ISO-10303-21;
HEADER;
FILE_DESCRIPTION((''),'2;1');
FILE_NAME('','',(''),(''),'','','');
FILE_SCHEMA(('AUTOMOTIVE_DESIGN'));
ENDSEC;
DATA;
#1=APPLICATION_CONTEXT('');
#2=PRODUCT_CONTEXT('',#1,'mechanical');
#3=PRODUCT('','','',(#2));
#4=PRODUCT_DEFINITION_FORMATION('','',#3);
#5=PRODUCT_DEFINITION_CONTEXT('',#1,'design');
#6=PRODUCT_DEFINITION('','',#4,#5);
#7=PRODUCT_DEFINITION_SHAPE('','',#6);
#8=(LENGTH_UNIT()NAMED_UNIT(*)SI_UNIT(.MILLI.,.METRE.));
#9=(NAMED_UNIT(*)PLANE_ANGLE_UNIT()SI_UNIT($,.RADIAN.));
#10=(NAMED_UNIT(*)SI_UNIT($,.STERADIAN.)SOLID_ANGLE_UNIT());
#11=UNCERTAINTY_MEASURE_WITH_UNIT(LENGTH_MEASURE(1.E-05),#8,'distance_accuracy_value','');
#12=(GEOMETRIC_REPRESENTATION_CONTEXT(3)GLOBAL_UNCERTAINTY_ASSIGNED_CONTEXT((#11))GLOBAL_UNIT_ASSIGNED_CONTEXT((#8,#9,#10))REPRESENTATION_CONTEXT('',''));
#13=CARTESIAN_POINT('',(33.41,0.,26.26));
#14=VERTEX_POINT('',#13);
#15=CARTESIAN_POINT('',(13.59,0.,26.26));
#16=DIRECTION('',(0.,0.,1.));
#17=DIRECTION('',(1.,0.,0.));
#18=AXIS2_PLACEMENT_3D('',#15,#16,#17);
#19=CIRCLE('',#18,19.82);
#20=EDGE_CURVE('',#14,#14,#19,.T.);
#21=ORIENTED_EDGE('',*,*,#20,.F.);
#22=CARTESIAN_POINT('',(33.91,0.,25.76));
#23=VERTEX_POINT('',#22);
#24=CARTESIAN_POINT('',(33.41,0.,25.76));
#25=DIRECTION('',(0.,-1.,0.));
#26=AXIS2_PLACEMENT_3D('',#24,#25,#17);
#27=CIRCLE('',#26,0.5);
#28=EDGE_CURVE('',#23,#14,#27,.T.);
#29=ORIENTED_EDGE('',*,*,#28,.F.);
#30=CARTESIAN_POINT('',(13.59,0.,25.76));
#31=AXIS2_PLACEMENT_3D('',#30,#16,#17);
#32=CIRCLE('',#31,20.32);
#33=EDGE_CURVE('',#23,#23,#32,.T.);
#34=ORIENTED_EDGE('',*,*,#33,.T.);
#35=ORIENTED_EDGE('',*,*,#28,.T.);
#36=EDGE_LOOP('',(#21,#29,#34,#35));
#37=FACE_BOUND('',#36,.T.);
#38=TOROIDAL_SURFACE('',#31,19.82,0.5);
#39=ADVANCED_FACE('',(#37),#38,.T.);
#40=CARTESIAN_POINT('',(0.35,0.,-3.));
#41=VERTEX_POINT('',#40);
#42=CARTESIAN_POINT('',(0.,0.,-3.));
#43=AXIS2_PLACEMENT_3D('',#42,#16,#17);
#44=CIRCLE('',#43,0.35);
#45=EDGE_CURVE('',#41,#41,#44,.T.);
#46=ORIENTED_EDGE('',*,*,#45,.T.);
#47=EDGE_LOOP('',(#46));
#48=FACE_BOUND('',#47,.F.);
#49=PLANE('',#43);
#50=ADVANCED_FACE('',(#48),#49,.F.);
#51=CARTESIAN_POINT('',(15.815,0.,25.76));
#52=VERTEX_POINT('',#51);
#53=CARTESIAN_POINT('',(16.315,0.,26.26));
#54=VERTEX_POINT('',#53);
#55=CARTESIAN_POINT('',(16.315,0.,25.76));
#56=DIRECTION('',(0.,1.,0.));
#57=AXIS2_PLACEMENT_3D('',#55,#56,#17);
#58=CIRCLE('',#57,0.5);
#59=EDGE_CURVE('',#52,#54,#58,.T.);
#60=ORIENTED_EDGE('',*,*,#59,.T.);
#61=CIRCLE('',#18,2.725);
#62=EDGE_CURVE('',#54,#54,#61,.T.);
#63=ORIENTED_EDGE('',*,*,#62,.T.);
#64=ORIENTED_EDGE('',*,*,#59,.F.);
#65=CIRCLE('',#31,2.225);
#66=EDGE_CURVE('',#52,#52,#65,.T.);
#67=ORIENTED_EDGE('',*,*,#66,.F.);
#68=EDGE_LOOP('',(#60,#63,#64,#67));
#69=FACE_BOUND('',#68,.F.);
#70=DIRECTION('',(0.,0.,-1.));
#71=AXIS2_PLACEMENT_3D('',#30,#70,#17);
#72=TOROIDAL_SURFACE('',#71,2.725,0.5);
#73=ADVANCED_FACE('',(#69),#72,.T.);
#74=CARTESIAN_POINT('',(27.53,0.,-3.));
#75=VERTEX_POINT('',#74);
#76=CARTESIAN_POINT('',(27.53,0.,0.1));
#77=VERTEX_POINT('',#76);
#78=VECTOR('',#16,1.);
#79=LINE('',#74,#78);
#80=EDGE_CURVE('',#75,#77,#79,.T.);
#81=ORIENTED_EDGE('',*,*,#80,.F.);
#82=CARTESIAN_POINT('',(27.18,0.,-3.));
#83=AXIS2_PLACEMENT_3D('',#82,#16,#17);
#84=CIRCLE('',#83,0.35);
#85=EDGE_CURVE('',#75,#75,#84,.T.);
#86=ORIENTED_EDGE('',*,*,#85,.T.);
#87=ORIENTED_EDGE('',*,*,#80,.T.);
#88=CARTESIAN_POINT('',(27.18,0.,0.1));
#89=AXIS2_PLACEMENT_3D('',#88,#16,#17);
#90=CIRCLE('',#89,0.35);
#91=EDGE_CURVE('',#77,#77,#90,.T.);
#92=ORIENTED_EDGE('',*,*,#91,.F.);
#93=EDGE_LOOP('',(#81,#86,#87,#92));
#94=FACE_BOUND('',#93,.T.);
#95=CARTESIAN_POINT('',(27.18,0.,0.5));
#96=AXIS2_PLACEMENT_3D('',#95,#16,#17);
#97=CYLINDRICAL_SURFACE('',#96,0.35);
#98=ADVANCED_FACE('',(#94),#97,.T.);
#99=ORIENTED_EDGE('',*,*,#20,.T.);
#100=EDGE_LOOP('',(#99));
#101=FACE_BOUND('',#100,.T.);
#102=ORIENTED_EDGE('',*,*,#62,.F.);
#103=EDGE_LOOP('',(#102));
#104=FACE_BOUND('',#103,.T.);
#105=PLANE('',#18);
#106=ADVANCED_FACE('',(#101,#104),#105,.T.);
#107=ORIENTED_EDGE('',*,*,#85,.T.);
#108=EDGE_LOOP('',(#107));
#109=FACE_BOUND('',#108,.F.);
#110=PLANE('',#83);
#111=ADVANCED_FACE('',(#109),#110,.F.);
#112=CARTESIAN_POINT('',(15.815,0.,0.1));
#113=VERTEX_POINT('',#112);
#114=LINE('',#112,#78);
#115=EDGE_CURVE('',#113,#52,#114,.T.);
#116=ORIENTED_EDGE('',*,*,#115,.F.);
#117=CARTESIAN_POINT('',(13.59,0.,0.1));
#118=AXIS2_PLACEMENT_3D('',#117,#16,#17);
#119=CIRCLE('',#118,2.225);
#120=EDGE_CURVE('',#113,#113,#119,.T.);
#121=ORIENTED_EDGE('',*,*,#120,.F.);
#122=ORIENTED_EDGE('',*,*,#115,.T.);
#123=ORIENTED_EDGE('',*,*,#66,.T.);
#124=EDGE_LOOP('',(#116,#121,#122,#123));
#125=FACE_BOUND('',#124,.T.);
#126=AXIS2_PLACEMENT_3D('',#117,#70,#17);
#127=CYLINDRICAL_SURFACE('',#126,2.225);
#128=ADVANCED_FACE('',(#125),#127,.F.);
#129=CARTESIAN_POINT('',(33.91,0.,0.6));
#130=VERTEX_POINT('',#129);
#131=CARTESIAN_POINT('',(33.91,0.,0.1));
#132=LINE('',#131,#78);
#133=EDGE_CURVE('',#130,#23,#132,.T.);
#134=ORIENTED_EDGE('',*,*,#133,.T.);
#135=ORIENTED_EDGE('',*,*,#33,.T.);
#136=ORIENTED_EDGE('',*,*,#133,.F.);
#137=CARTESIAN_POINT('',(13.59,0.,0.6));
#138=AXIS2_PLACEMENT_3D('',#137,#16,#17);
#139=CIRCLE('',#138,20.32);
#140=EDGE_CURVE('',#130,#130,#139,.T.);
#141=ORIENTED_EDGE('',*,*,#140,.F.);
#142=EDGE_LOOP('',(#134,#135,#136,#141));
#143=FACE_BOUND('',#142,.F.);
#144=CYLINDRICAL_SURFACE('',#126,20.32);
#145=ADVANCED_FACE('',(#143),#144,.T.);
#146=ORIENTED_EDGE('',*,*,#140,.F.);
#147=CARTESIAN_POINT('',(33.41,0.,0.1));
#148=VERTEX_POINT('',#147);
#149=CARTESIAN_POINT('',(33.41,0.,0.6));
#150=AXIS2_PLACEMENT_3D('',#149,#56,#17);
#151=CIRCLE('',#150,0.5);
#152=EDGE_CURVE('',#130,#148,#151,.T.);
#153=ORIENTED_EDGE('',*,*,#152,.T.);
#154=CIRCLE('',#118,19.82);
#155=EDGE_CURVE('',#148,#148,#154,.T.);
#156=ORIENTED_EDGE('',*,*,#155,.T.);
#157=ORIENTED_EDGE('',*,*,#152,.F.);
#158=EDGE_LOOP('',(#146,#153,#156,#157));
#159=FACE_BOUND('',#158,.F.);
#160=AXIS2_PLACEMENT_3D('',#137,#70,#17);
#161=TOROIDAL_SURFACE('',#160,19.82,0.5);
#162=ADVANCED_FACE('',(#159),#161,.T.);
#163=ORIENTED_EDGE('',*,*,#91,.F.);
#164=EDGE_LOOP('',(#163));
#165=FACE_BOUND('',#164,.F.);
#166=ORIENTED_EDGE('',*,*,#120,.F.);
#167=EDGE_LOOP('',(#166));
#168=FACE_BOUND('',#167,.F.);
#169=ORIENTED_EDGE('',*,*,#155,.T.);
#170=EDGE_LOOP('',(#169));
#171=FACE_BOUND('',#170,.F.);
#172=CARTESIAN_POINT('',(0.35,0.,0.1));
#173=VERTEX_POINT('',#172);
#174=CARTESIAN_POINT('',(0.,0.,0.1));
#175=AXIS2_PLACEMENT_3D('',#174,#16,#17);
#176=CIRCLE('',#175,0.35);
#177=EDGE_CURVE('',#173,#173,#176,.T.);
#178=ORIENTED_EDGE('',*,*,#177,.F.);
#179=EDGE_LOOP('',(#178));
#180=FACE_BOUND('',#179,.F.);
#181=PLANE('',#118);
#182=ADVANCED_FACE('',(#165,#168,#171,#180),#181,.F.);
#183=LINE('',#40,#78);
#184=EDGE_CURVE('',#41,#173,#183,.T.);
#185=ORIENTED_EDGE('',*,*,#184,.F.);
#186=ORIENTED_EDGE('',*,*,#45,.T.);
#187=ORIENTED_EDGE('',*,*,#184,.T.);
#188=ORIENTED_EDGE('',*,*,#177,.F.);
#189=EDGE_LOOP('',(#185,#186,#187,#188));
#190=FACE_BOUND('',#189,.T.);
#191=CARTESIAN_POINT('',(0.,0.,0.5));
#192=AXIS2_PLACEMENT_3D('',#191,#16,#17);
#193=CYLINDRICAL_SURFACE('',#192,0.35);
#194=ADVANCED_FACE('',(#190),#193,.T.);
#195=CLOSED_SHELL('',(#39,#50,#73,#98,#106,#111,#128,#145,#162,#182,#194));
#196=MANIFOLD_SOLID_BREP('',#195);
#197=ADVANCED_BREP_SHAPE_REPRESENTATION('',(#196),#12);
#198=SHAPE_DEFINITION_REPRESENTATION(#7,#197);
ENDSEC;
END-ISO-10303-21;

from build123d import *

# Parameters (mm, degrees)
SKETCH_R          = 20.32
SKETCH_R_2        = 2.225
PAD_DEPTH         = 26.16
FILLET_R          = 0.5
SKETCH001_R       = 0.35
PAD001_DEPTH      = 13.08
PAD001_DEPTH_BACK = 3.5


with BuildPart() as fillet_body:
    # Sketch → Pad (new body)
    with BuildSketch(Plane.XY.offset(0.1)):
        with Locations((13.59, 0)):
            Circle(SKETCH_R)
        with Locations((13.59, 0)):
            Circle(SKETCH_R_2, mode=Mode.SUBTRACT)
    extrude(amount=PAD_DEPTH)

    # Fillet
    fillet_edges = [fillet_body.edges().sort_by_distance(p)[0] for p in [
        (11.365, 0, 26.26),
        (-6.73, 0, 26.26),
        (-6.73, 0, 0.1),
    ]]
    fillet(fillet_edges, radius=FILLET_R)


with BuildPart() as pad001_mp_cp:
    # Sketch001 → Pad001 (new body, two sides)
    with BuildSketch(Plane.XY.offset(0.5)) as pad001_sk:
        Circle(SKETCH001_R)
        with Locations((27.18, 0)):
            Circle(SKETCH001_R)
    extrude(amount=PAD001_DEPTH)
    extrude(pad001_sk.sketch, amount=-PAD001_DEPTH_BACK)

    # Pad001_mp_cp: union Fillet body
    add(fillet_body.part)


solid = pad001_mp_cp.part
